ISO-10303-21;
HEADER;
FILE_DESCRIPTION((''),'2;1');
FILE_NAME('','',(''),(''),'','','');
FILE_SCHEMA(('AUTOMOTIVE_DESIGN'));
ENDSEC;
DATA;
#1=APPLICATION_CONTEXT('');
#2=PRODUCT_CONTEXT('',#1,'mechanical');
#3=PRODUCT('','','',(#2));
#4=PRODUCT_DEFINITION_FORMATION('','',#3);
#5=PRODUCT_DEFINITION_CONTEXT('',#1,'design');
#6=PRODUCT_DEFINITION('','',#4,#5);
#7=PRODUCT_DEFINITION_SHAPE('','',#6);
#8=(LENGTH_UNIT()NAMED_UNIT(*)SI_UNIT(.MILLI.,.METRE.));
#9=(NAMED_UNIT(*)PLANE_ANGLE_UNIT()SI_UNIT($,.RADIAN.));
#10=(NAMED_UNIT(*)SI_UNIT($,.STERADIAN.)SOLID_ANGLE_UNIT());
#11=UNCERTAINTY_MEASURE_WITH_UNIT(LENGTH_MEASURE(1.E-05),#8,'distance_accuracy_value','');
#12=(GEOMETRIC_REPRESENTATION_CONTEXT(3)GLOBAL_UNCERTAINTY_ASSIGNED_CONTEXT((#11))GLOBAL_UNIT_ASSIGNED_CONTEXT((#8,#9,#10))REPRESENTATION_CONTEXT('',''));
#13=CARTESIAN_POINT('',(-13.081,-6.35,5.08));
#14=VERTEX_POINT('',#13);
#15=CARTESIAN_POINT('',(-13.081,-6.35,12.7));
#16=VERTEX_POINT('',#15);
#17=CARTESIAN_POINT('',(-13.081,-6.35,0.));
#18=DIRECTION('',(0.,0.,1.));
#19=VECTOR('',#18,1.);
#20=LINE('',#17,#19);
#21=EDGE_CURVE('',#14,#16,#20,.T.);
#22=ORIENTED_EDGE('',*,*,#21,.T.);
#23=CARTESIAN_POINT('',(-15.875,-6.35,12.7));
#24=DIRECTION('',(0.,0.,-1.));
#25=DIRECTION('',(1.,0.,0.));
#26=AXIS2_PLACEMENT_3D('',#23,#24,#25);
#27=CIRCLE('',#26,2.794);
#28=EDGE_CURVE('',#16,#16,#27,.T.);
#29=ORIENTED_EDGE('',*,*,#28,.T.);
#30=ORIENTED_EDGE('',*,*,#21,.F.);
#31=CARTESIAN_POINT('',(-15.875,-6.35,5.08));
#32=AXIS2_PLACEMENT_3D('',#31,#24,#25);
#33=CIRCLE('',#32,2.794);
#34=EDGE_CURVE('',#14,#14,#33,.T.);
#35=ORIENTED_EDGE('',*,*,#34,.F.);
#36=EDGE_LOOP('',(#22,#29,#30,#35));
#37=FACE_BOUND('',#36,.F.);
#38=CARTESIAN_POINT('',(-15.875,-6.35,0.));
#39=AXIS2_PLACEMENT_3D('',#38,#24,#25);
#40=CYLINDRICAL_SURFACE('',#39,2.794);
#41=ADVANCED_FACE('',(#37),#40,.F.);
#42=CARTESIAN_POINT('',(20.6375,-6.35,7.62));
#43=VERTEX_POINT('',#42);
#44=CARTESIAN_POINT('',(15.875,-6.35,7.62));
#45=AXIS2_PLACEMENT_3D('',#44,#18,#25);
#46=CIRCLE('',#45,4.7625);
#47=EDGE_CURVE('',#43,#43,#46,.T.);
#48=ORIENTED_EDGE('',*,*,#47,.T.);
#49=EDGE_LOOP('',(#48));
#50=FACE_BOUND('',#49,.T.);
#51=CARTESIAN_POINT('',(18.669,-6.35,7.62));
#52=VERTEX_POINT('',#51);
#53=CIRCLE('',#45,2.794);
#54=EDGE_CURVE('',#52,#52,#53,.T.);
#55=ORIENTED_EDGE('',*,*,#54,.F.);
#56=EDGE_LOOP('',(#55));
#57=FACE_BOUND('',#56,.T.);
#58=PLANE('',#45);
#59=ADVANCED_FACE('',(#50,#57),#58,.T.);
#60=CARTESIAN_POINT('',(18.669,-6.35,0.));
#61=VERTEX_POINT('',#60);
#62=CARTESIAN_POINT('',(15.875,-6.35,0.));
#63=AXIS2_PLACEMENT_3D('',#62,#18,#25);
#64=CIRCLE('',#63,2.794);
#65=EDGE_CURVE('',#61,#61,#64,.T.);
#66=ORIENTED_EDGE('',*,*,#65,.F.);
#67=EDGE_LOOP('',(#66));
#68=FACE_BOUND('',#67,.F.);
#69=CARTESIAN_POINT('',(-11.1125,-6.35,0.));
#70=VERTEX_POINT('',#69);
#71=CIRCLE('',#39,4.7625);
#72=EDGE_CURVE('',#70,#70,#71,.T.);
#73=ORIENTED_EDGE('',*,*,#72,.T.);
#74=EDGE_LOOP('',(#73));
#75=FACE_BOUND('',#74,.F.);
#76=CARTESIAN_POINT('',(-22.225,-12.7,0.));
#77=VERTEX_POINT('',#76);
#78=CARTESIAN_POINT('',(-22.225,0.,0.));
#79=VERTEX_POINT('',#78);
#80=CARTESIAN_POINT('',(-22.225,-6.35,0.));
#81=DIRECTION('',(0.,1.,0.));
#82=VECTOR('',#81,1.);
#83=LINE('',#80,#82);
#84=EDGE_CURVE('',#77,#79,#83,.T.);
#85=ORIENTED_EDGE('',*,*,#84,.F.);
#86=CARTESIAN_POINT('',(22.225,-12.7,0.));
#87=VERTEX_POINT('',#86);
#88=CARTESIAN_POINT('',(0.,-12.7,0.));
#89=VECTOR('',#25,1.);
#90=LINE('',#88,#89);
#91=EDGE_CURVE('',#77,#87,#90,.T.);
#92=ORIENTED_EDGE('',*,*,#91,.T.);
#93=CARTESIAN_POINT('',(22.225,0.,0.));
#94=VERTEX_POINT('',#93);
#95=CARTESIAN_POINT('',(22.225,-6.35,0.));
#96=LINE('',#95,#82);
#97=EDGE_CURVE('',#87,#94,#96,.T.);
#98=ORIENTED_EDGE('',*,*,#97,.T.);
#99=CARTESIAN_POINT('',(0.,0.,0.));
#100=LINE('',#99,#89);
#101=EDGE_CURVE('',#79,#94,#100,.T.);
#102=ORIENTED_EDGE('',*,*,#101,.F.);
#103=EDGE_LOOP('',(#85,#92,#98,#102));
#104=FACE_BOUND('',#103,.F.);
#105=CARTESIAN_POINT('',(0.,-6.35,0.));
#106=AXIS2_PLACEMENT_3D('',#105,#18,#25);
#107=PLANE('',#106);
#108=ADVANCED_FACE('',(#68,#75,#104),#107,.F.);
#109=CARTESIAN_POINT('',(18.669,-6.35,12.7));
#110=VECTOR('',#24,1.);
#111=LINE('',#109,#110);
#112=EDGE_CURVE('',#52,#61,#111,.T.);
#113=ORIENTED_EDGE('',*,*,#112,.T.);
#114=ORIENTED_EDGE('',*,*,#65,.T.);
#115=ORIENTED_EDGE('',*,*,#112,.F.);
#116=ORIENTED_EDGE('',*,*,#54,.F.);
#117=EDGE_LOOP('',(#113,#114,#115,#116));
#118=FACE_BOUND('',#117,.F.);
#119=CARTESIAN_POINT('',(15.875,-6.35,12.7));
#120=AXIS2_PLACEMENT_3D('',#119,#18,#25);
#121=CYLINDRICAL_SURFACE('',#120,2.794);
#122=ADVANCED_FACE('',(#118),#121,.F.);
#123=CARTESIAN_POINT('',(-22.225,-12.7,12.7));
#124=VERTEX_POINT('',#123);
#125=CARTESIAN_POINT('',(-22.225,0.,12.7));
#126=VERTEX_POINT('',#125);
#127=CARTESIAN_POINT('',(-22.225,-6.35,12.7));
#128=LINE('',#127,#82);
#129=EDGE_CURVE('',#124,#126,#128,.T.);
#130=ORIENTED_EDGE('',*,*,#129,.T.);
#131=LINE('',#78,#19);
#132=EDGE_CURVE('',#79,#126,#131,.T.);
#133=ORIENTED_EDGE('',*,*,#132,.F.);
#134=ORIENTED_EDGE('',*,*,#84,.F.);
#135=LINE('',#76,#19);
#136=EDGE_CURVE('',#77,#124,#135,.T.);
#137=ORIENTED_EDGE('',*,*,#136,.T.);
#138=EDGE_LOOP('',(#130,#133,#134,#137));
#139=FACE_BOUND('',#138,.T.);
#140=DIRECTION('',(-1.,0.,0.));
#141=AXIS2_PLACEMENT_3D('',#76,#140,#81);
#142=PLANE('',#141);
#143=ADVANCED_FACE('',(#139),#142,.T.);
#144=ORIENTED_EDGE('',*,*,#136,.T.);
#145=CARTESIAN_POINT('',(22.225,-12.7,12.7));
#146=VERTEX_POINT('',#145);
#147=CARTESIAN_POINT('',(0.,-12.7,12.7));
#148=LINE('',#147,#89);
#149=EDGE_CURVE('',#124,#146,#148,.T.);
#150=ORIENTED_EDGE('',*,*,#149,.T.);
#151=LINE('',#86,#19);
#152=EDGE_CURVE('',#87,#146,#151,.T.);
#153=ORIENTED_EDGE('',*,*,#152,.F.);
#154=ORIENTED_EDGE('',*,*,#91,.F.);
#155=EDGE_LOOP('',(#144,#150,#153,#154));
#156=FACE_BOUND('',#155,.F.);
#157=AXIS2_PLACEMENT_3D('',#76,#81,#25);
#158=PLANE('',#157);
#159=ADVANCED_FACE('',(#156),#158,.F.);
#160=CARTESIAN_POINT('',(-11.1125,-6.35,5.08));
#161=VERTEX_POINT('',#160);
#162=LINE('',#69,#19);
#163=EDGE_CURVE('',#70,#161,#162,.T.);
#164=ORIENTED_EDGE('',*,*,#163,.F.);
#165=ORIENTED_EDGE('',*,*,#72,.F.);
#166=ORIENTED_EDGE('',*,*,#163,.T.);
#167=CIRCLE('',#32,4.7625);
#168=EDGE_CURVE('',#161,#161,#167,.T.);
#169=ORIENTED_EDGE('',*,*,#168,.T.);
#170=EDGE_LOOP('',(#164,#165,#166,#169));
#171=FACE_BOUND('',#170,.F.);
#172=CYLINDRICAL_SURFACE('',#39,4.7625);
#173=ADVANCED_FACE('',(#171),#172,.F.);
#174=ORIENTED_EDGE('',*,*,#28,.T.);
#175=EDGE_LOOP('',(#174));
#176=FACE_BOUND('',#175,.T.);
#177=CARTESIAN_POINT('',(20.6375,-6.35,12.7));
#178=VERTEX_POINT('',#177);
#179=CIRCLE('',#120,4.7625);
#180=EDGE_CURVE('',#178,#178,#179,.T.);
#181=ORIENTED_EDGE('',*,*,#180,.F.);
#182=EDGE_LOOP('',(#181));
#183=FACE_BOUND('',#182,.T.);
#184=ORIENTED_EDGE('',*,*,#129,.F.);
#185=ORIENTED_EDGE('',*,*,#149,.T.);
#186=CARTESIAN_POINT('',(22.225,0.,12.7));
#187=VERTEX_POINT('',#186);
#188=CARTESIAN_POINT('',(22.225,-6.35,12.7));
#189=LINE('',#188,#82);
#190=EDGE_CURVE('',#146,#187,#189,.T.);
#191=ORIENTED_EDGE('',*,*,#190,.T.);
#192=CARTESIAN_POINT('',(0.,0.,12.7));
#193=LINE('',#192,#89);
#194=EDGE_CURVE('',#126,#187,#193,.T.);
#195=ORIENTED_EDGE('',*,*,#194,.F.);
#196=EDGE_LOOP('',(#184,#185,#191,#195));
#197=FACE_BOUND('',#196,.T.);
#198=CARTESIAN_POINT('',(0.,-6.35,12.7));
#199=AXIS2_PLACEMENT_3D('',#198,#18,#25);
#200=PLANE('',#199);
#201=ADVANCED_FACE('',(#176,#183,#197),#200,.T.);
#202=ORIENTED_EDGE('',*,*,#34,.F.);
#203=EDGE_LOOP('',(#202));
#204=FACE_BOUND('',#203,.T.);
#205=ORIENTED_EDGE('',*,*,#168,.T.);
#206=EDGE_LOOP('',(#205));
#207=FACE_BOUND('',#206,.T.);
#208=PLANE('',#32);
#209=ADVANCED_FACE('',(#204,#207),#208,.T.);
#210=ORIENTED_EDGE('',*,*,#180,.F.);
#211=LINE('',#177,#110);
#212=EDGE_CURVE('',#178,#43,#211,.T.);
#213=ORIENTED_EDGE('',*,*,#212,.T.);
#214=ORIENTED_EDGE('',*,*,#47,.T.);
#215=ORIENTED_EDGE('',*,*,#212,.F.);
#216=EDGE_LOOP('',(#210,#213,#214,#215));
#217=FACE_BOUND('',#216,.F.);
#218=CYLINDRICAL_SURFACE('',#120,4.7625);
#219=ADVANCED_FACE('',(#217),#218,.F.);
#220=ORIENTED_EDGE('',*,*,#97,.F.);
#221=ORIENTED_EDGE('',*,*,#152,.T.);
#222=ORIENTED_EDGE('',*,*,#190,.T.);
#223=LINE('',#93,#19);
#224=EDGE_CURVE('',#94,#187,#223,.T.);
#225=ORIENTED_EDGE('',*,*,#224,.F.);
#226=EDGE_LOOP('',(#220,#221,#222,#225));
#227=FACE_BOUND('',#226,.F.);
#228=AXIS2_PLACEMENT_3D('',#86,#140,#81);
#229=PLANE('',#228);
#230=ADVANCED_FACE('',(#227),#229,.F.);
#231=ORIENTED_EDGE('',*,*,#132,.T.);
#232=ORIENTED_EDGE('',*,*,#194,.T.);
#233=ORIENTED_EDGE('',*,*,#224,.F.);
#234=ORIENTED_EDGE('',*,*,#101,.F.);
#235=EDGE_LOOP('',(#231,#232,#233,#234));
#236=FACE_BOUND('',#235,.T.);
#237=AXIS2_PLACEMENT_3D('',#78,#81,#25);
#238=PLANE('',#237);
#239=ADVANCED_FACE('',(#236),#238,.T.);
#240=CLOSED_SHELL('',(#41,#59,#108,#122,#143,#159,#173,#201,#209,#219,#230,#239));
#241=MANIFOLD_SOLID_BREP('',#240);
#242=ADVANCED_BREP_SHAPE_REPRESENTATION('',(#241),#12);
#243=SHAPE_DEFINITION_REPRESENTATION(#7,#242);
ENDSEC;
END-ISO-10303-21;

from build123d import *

# Parameters (mm, degrees)
F0_W     = 44.45
F0_H     = 12.7
F1_DEPTH = 12.7
F2_R     = 2.794
F3_DEPTH = 12.701
F4_R     = 2.794
F5_DEPTH = 12.701
F6_R     = 4.7625
F7_DEPTH = 5.08
F8_R     = 4.7625
F9_DEPTH = 5.08


with BuildPart() as f1:
    # F0 (on Top) → F1 (new body)
    with BuildSketch(Plane.XY):
        with Locations((0, -6.35)):
            Rectangle(F0_W, F0_H)
    extrude(amount=F1_DEPTH)

    # F2 (on face) → F3 (cut, through all)
    with BuildSketch(Plane.XY.offset(12.7)):
        with Locations((15.875, -6.35)):
            Circle(F2_R)
    extrude(amount=-F3_DEPTH, mode=Mode.SUBTRACT)

    # F4 (on face) → F5 (cut, through all)
    with BuildSketch(Plane(origin=(0, 0, 0), x_dir=(1, 0, 0), z_dir=(0, 0, -1))):
        with Locations((-15.875, 6.35)):
            Circle(F4_R)
    extrude(amount=-F5_DEPTH, mode=Mode.SUBTRACT)

    # F6 (on face) → F7 (cut)
    with BuildSketch(Plane.XY.offset(12.7)):
        with Locations((15.875, -6.35)):
            Circle(F6_R)
    extrude(amount=-F7_DEPTH, mode=Mode.SUBTRACT)

    # F8 (on face) → F9 (cut)
    with BuildSketch(Plane(origin=(0, 0, 0), x_dir=(1, 0, 0), z_dir=(0, 0, -1))):
        with Locations((-15.875, 6.35)):
            Circle(F8_R)
    extrude(amount=-F9_DEPTH, mode=Mode.SUBTRACT)


solid = f1.part
